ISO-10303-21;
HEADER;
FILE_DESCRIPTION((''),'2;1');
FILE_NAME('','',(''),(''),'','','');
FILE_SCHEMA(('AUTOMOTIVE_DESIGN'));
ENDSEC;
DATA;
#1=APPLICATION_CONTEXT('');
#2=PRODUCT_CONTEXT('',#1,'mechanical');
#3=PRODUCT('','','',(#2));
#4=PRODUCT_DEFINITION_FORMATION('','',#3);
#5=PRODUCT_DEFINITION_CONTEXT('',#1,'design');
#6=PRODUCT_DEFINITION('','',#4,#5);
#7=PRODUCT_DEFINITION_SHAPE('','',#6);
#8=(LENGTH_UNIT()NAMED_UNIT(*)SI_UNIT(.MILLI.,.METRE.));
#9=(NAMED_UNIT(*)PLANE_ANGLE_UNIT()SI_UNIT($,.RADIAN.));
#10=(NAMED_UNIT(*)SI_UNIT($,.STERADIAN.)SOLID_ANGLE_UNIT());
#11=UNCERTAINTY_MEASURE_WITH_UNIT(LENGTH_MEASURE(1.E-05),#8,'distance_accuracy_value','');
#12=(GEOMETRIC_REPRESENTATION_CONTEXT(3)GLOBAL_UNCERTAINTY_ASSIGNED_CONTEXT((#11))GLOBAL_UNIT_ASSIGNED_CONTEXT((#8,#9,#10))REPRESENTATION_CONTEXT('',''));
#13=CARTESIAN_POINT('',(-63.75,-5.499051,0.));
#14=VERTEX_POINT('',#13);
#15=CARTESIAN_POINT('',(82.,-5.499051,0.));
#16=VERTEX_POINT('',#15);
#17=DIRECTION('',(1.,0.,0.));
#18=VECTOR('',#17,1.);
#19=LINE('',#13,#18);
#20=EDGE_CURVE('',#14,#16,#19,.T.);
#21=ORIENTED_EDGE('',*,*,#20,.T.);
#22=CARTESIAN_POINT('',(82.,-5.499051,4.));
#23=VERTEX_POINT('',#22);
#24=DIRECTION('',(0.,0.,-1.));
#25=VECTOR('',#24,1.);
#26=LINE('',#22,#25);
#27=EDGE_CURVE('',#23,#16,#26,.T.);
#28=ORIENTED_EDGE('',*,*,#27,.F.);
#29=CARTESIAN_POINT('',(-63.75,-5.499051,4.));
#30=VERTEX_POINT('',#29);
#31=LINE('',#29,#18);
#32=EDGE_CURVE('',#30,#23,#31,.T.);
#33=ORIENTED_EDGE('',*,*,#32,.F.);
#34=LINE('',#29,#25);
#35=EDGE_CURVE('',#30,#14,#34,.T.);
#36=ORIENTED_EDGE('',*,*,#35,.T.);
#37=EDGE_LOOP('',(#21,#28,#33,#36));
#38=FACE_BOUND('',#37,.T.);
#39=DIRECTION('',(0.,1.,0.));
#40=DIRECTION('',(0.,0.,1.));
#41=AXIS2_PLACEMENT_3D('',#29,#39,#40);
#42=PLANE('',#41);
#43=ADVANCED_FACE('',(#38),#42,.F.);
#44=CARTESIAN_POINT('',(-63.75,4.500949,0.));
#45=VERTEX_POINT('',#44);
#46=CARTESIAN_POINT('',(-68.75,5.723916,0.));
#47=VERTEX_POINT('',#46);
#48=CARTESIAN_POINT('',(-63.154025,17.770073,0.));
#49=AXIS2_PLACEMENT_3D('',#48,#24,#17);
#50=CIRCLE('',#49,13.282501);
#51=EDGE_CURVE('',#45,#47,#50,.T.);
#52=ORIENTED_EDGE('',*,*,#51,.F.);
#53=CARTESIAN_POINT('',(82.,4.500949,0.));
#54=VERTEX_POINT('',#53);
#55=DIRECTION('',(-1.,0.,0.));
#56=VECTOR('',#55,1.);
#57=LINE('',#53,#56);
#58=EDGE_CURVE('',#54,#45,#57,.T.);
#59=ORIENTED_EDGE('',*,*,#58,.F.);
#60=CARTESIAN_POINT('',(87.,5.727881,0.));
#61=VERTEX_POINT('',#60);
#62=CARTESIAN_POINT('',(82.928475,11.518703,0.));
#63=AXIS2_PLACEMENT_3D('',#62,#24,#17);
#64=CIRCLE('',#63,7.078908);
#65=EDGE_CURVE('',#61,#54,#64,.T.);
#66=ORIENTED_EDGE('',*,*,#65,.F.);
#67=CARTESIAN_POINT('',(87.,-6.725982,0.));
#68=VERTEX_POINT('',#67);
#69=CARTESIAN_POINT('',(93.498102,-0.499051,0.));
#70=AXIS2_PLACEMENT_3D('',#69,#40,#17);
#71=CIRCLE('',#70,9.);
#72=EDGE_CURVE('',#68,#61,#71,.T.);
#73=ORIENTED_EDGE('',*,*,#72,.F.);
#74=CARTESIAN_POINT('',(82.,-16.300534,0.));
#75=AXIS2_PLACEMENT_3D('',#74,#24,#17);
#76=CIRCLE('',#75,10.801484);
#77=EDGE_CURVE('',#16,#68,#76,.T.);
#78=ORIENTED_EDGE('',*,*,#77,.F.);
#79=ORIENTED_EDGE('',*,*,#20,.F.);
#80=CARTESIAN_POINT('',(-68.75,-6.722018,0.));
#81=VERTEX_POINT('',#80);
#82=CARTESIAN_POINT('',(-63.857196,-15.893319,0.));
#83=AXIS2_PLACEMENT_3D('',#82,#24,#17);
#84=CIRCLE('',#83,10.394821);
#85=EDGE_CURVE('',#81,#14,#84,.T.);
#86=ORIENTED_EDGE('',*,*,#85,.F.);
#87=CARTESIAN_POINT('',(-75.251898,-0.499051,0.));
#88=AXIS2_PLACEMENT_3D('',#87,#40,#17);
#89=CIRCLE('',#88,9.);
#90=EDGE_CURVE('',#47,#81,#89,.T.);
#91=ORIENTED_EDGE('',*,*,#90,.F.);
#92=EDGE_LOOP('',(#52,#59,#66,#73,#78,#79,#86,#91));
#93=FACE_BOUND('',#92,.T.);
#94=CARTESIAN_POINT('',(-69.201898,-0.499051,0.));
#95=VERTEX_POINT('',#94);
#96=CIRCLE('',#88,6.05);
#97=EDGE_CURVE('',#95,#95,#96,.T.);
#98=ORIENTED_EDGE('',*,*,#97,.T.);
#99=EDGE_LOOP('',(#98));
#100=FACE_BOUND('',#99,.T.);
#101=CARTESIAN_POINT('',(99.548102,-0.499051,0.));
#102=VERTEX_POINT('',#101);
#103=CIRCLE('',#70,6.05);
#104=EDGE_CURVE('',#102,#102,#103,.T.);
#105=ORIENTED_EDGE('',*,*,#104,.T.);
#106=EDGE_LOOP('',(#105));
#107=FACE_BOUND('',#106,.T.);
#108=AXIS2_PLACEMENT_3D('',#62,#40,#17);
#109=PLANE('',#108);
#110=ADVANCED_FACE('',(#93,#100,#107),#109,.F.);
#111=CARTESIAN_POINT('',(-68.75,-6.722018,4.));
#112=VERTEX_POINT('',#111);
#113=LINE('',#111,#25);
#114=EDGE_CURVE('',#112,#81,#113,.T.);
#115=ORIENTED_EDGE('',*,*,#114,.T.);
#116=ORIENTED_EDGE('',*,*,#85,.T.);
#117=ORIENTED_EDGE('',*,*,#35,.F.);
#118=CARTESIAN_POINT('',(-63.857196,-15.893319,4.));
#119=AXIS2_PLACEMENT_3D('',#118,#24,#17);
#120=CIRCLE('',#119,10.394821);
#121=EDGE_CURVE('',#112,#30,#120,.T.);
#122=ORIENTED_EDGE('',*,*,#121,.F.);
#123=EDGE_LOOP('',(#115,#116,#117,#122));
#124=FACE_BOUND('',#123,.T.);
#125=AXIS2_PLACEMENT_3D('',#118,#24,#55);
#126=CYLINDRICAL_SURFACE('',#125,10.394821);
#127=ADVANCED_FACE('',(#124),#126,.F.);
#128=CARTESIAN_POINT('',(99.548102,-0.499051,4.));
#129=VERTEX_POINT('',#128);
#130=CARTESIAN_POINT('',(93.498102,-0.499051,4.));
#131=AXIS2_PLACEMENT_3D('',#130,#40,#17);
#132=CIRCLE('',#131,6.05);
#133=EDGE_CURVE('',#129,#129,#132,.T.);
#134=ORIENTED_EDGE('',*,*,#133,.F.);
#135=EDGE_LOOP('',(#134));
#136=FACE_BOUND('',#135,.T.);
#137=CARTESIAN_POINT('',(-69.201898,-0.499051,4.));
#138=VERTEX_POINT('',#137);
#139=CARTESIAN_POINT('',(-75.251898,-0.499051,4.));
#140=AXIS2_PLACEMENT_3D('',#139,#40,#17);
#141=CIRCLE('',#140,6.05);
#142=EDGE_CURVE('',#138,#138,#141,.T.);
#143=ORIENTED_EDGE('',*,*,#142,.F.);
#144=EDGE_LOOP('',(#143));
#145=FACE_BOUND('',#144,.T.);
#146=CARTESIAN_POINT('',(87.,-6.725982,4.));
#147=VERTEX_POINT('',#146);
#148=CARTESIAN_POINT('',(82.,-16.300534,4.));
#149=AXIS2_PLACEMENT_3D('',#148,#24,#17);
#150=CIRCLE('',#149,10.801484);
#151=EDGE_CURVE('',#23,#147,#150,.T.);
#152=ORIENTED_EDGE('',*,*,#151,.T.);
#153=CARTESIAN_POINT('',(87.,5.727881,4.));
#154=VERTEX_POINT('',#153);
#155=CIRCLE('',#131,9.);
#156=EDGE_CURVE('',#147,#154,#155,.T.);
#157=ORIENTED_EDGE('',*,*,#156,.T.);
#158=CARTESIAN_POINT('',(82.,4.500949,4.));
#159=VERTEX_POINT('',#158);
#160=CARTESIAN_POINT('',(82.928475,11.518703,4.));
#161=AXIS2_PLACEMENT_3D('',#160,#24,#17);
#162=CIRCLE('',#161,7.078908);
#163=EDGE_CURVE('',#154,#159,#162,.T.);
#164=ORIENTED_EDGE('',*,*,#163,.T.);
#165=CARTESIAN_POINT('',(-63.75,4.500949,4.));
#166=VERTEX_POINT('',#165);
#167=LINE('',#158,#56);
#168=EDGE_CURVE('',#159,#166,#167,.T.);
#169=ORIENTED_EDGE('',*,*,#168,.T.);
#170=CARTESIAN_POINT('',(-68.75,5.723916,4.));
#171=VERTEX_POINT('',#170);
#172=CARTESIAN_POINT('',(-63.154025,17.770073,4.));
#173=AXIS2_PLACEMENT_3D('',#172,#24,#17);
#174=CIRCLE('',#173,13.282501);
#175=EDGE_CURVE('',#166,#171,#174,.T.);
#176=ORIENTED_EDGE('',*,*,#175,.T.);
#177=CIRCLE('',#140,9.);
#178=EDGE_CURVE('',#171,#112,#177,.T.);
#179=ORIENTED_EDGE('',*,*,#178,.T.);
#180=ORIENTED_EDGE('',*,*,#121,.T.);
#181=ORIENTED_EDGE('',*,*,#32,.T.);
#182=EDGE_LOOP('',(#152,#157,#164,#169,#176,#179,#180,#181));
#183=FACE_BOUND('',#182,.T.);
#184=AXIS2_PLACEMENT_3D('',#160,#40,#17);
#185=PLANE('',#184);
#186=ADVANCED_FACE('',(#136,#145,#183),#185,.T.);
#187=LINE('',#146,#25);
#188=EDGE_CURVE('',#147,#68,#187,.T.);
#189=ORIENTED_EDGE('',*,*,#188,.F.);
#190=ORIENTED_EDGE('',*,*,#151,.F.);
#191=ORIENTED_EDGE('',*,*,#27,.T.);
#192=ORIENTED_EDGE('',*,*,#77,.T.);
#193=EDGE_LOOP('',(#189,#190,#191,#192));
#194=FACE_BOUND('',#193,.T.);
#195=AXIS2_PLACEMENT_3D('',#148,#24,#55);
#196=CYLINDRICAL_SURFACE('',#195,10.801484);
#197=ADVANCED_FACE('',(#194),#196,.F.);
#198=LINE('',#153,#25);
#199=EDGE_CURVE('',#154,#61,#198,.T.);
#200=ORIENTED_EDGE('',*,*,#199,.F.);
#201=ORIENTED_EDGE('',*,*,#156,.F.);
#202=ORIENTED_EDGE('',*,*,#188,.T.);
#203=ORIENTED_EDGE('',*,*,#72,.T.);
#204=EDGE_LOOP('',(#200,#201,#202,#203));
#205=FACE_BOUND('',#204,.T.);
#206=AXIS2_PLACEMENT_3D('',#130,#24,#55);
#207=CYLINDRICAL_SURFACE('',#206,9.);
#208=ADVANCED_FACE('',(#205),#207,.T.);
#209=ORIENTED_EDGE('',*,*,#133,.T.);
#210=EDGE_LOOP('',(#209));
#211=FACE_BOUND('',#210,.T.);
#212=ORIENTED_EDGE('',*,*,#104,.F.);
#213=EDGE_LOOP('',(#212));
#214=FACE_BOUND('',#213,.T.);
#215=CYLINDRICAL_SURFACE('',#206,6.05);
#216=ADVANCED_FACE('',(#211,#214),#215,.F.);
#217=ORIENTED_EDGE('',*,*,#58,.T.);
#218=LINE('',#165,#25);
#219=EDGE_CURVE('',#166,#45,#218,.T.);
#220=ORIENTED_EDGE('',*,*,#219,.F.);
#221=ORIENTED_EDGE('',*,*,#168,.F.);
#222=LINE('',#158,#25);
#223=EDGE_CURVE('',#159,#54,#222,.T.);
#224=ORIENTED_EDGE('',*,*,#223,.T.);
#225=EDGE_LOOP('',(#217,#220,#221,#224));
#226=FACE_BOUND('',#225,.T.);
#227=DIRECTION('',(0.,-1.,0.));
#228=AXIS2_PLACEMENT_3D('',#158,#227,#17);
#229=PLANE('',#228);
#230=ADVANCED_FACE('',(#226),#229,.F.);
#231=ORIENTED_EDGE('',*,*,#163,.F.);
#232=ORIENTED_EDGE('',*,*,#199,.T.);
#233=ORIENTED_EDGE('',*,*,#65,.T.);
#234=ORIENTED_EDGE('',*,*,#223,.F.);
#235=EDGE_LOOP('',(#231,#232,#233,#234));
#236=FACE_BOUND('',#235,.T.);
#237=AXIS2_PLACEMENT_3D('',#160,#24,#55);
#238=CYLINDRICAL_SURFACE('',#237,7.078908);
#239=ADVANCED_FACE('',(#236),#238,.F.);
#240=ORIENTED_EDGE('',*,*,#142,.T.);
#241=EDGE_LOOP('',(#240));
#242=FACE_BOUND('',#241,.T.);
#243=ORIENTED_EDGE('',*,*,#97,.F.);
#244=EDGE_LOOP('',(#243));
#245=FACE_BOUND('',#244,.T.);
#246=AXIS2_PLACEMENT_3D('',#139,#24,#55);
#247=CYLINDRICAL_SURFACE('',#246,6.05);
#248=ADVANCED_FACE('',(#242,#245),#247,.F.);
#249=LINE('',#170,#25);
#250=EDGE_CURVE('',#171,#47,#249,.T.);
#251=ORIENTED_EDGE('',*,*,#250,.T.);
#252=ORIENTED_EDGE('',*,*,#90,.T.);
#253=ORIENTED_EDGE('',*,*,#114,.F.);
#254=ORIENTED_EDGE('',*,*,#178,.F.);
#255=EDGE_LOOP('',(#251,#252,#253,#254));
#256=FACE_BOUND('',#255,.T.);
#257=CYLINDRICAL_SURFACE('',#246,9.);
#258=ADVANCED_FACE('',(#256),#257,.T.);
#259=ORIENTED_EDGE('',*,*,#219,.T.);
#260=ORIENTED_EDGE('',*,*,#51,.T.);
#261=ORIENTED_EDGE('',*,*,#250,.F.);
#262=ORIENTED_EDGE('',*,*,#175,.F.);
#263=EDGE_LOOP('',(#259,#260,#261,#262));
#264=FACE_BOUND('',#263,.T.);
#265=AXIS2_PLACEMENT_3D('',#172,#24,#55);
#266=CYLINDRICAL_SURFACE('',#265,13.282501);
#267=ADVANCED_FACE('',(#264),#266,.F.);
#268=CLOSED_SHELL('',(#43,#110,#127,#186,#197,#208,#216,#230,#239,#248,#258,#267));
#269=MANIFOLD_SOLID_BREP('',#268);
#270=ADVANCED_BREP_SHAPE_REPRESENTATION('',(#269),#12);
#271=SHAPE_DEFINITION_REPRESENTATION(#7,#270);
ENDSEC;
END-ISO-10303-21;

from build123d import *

# Parameters (mm, degrees)
SKETCH_1_R      = 6.05
EXTRUDE_1_DEPTH = 4


with BuildPart() as part:
    # 草图1 → 凸台-拉伸1 (new body)
    with BuildSketch(Plane.XY):
        with BuildLine():
            Line((82, 4.500949209), (-63.75, 4.500949209))
            ThreePointArc((-63.75, 4.500949209), (-66.309809086, 4.867908106), (-68.75, 5.723916101))
            ThreePointArc((-68.75, 5.723916101), (-84.25189842, -0.499050791), (-68.75, -6.722017682))
            ThreePointArc((-68.75, -6.722017682), (-66.326896981, -5.796147226), (-63.75, -5.499050791))
            Line((-63.75, -5.499050791), (82, -5.499050791))
            ThreePointArc((82, -5.499050791), (84.57416787, -5.810267104), (87, -6.725982287))
            ThreePointArc((87, -6.725982287), (102.49810158, -0.499050791), (87, 5.727880705))
            ThreePointArc((87, 5.727880705), (84.615493422, 4.64375534), (82, 4.500949209))
        make_face()
        with Locations((-75.25189842, -0.499050791)):
            Circle(SKETCH_1_R, mode=Mode.SUBTRACT)
        with Locations((93.49810158, -0.499050791)):
            Circle(SKETCH_1_R, mode=Mode.SUBTRACT)
    extrude(amount=EXTRUDE_1_DEPTH)


solid = part.part
